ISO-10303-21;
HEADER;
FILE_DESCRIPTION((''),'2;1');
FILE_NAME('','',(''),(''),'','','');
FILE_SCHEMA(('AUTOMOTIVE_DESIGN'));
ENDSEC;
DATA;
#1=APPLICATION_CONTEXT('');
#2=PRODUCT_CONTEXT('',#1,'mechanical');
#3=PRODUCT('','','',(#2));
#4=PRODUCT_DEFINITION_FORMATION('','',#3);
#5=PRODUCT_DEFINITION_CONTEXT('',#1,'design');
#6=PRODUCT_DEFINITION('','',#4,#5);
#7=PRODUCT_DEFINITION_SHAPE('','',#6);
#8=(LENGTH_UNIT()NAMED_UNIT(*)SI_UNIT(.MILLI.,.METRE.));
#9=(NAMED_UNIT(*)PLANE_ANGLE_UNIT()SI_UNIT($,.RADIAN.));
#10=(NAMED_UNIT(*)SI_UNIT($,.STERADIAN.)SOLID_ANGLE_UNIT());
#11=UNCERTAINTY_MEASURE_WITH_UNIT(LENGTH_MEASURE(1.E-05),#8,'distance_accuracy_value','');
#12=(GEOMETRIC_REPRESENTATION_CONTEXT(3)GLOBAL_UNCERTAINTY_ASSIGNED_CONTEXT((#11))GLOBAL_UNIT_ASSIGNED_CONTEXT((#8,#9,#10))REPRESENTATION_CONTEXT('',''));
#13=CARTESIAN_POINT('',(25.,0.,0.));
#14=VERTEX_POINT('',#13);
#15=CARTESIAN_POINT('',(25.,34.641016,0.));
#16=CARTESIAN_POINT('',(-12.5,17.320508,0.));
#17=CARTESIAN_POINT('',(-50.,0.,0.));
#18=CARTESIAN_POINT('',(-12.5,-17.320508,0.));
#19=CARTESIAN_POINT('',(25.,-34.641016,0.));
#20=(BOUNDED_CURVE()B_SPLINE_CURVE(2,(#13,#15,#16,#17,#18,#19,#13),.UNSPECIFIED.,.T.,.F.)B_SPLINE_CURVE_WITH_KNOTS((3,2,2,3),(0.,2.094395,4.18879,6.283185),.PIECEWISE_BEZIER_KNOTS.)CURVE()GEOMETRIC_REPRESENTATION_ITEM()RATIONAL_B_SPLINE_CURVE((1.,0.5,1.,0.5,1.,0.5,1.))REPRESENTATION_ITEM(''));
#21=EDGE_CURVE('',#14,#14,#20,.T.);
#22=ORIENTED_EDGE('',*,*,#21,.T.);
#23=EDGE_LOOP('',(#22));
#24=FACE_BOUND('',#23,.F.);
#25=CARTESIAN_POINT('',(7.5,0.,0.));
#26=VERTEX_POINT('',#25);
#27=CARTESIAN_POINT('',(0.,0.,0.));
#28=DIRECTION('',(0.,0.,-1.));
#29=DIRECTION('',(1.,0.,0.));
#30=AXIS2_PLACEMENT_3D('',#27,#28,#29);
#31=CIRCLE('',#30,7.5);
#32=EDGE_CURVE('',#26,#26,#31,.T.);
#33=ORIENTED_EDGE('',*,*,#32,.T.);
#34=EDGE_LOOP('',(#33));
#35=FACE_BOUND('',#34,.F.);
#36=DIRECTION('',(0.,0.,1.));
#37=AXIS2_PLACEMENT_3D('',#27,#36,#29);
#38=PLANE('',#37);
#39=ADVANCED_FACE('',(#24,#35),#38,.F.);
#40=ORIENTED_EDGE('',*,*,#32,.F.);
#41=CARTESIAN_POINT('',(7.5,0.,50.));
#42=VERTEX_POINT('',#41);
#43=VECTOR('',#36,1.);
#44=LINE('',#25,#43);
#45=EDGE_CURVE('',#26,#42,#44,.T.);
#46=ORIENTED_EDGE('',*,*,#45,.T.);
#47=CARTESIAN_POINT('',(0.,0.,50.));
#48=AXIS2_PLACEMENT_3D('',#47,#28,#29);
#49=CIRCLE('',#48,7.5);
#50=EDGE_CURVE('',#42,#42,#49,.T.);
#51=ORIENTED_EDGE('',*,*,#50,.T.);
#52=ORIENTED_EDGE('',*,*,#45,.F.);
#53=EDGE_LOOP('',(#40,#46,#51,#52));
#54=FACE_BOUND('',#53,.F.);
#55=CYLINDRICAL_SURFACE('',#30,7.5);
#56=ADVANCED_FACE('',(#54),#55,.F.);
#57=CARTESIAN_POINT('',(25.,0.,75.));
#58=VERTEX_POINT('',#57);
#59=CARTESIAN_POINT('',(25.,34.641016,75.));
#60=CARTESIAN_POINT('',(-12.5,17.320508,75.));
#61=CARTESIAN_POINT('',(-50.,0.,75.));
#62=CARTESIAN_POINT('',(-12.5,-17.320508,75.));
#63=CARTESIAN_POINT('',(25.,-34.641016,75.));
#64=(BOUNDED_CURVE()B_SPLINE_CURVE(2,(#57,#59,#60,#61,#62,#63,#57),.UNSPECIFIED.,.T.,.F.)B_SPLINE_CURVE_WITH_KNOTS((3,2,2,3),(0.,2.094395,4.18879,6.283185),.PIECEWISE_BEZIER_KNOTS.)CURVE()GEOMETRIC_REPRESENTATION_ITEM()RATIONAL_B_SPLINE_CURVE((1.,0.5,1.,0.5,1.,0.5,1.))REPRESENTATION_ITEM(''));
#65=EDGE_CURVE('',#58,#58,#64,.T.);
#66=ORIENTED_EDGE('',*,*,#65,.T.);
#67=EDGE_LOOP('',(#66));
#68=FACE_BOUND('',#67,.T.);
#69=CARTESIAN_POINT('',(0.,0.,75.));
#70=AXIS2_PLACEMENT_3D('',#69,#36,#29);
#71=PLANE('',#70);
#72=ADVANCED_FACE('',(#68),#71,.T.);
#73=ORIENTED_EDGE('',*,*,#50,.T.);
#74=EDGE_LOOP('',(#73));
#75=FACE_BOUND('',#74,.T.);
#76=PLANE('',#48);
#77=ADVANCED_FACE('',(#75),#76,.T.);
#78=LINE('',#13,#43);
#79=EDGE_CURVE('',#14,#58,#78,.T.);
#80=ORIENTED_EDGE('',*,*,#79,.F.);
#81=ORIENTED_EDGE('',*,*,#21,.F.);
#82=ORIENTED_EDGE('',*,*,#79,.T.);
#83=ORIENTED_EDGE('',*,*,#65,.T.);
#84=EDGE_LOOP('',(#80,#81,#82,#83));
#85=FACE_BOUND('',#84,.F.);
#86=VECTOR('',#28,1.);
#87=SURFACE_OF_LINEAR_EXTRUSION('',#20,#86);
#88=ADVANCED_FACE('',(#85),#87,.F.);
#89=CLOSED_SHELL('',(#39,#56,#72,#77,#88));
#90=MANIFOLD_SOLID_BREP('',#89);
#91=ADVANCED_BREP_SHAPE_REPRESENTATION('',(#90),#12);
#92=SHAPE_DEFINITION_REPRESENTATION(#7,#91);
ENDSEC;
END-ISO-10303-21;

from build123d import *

# Parameters (mm, degrees)
F1_DEPTH = 75
F2_R     = 7.5
F3_DEPTH = 50


with BuildPart() as f1:
    # F0 (on Top) → F1 (new body)
    with BuildSketch(Plane.XY):
        with BuildLine():
            add(Edge.make_bspline(
                [(25, 0), (25, 34.641016), (-12.5, 17.320508), (-50, 0), (-12.5, -17.320508), (25, -34.641016), (25, 0)],
                knots=[0, 0, 0, 2.094395, 2.094395, 4.18879, 4.18879, 6.283185, 6.283185, 6.283185], degree=2, weights=[1, 0.5, 1, 0.5, 1, 0.5, 1]))
        make_face()
    extrude(amount=F1_DEPTH)

    # F2 (on face) → F3 (cut)
    with BuildSketch(Plane(origin=(0, 0, 0), x_dir=(1, 0, 0), z_dir=(0, 0, -1))):
        Circle(F2_R)
    extrude(amount=-F3_DEPTH, mode=Mode.SUBTRACT)


solid = f1.part
